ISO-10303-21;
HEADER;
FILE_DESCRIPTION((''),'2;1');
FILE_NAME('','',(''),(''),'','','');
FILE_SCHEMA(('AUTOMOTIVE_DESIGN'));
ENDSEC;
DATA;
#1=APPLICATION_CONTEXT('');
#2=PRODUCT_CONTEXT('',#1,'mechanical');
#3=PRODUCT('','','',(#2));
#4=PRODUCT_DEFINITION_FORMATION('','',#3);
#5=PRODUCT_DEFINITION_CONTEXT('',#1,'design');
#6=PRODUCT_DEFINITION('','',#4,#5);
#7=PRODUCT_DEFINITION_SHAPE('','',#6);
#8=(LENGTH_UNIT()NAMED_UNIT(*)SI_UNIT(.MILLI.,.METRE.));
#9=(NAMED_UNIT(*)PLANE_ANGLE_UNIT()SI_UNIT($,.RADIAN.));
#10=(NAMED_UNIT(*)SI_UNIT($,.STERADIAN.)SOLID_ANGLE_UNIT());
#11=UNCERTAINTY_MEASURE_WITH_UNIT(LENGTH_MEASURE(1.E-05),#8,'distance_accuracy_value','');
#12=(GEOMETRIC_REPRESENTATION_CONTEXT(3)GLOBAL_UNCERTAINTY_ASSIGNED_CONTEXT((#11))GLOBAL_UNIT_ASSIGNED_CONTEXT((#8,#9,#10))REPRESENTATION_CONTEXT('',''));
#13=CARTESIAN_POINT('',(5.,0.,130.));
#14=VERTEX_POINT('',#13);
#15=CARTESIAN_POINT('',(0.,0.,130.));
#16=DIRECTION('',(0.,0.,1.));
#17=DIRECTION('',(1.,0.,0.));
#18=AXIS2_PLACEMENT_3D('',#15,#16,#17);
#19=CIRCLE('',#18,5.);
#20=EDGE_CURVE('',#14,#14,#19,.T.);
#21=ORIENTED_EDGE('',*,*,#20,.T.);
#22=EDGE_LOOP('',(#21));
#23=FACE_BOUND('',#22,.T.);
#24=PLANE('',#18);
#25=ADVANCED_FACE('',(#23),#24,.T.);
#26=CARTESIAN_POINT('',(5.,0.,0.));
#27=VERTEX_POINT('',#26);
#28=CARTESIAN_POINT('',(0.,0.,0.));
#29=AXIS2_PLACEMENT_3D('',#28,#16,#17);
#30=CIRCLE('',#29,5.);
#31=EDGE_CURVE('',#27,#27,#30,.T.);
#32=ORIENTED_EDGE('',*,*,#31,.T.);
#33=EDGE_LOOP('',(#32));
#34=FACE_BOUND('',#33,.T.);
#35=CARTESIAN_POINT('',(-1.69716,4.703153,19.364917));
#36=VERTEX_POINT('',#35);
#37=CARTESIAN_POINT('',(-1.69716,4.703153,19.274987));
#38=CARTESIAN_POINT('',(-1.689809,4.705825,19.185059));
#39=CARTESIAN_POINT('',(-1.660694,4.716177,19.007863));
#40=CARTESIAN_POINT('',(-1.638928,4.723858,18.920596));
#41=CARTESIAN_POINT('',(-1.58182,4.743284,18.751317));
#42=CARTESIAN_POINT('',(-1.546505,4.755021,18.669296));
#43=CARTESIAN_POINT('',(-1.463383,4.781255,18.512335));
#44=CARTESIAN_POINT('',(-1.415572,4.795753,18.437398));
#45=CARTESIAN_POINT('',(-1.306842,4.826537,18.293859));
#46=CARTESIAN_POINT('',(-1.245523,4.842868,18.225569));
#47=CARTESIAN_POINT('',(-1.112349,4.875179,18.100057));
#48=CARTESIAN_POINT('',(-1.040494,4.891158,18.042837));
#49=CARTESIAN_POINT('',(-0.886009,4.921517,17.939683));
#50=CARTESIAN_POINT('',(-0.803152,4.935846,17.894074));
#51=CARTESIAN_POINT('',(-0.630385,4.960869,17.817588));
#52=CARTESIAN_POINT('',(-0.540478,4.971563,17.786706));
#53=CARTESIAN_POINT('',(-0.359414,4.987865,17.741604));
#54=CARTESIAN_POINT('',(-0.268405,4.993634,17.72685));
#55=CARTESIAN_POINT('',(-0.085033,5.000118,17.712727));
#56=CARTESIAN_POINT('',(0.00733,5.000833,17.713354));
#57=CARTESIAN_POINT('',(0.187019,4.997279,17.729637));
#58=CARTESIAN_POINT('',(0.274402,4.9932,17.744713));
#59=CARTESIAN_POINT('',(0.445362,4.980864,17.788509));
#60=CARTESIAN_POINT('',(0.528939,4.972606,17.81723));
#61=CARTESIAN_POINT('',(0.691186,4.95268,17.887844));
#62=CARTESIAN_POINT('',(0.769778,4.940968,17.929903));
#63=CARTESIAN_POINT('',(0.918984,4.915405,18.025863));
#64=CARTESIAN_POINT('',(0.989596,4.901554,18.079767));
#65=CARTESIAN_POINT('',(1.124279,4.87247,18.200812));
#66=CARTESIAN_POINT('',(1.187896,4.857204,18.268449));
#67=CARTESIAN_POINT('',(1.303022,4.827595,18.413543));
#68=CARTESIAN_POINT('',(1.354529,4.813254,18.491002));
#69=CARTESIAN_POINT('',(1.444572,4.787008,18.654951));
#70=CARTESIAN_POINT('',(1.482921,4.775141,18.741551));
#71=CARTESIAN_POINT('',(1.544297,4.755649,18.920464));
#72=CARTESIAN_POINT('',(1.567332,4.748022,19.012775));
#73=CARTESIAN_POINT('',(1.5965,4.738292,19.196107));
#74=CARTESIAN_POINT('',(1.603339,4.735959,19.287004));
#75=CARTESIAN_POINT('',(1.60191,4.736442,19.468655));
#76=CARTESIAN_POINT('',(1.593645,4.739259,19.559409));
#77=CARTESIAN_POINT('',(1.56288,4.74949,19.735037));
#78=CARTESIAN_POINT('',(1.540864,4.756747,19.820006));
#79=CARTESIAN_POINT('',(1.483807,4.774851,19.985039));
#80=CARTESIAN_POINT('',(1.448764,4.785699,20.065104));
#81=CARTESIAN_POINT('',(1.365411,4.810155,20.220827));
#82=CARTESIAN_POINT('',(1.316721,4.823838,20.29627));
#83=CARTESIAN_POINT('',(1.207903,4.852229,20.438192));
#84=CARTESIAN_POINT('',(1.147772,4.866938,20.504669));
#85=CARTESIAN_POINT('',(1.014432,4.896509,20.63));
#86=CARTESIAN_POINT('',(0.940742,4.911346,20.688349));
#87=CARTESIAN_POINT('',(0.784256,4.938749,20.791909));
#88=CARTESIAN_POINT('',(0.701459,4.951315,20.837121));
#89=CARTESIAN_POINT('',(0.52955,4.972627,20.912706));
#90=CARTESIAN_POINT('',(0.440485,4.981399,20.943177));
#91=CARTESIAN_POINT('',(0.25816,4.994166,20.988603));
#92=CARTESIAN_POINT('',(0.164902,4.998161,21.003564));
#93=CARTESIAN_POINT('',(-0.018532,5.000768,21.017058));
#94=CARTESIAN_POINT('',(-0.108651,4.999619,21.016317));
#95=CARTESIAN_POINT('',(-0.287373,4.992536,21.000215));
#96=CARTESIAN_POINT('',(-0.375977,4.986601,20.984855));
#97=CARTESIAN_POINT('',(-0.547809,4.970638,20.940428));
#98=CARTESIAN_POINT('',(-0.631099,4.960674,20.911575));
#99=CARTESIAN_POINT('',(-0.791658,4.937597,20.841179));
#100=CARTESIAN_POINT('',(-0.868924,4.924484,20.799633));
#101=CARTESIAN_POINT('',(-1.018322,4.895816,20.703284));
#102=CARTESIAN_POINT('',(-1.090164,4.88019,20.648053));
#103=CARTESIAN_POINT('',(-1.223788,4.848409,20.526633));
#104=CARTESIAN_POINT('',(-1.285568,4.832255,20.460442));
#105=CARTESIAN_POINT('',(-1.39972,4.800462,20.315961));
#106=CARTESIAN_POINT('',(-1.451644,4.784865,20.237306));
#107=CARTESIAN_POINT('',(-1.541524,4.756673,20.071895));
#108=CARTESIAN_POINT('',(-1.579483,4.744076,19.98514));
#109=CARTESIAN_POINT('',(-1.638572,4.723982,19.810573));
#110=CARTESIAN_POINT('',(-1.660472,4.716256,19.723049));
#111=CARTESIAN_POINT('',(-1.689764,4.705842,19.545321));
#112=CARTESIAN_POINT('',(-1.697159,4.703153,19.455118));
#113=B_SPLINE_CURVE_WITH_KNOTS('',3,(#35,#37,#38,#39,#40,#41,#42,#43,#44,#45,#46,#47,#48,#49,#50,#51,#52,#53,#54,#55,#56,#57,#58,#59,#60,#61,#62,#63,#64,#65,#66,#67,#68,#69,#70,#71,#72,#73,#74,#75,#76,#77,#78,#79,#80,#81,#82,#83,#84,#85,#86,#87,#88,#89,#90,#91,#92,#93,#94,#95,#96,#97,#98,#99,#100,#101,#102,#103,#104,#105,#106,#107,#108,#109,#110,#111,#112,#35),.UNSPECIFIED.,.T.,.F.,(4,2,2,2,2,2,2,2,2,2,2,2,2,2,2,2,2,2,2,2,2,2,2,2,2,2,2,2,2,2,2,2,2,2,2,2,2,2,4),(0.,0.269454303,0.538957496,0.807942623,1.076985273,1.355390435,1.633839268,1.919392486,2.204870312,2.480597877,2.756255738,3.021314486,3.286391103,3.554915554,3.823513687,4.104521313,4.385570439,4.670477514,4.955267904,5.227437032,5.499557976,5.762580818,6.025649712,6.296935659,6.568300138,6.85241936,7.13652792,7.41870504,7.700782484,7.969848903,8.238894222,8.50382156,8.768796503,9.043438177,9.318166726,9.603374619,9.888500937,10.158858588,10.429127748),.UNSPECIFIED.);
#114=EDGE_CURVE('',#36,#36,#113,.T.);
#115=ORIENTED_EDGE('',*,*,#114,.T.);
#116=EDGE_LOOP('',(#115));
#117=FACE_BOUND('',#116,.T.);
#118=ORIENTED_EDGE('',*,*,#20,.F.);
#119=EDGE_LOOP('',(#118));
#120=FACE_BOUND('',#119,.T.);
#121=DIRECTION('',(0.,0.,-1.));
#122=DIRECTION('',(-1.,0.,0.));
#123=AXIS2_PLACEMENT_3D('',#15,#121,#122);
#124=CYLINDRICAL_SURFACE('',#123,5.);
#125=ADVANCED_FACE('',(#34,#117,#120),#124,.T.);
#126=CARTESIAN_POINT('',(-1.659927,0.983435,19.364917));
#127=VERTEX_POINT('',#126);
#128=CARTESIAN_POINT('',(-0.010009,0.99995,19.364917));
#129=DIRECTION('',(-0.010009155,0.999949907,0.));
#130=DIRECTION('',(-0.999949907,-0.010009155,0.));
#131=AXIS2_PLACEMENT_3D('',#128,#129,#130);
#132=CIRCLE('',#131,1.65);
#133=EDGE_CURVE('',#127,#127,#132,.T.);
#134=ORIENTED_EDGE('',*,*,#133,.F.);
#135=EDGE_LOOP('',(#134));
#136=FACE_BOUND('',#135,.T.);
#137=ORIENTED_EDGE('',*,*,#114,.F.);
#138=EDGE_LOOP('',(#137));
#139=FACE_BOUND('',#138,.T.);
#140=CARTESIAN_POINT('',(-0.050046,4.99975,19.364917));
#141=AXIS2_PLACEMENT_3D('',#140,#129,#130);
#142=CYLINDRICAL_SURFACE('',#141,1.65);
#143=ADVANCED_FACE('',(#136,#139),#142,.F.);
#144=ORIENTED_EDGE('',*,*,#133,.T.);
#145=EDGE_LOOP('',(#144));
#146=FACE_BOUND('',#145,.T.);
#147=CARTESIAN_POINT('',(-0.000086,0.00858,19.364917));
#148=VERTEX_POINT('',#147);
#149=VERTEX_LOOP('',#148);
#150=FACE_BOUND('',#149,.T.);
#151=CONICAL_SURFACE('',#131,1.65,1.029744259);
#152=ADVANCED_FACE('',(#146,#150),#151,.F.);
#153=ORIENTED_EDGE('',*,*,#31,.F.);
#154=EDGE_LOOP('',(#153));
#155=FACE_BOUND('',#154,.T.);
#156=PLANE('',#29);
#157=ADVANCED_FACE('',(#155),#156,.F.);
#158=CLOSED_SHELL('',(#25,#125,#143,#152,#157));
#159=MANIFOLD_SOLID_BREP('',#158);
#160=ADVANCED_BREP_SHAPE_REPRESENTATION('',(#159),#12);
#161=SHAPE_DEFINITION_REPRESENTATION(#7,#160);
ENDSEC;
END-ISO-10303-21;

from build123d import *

# Parameters (mm, degrees)
SKETCH1_R                 = 5
BOSS_EXTRUDE1_DEPTH       = 130
M4X0_7_TAPPED_HOLE1_D     = 3.3
M4X0_7_TAPPED_HOLE1_DEPTH = 4
M4X0_7_TAPPED_HOLE1_TIP   = 0.991420021


with BuildPart() as part:
    # Sketch1 → Boss-Extrude1 (new body)
    with BuildSketch(Plane.XY):
        Circle(SKETCH1_R)
    extrude(amount=BOSS_EXTRUDE1_DEPTH)

    # M4x0.7 Tapped Hole1
    with Locations(Plane(origin=(-0.050045775, 4.999749536, 19.364916731), x_dir=(0.999949907154, 0.010009154936, 0), z_dir=(-0.010009154936, 0.999949907154, 0))):
        with Locations((0, 0)):
            Hole(M4X0_7_TAPPED_HOLE1_D / 2, depth=M4X0_7_TAPPED_HOLE1_DEPTH)
            with Locations((0, 0, -(M4X0_7_TAPPED_HOLE1_DEPTH + M4X0_7_TAPPED_HOLE1_TIP / 2))):  # 118° drill point
                Cone(0, M4X0_7_TAPPED_HOLE1_D / 2, M4X0_7_TAPPED_HOLE1_TIP, mode=Mode.SUBTRACT)


solid = part.part
